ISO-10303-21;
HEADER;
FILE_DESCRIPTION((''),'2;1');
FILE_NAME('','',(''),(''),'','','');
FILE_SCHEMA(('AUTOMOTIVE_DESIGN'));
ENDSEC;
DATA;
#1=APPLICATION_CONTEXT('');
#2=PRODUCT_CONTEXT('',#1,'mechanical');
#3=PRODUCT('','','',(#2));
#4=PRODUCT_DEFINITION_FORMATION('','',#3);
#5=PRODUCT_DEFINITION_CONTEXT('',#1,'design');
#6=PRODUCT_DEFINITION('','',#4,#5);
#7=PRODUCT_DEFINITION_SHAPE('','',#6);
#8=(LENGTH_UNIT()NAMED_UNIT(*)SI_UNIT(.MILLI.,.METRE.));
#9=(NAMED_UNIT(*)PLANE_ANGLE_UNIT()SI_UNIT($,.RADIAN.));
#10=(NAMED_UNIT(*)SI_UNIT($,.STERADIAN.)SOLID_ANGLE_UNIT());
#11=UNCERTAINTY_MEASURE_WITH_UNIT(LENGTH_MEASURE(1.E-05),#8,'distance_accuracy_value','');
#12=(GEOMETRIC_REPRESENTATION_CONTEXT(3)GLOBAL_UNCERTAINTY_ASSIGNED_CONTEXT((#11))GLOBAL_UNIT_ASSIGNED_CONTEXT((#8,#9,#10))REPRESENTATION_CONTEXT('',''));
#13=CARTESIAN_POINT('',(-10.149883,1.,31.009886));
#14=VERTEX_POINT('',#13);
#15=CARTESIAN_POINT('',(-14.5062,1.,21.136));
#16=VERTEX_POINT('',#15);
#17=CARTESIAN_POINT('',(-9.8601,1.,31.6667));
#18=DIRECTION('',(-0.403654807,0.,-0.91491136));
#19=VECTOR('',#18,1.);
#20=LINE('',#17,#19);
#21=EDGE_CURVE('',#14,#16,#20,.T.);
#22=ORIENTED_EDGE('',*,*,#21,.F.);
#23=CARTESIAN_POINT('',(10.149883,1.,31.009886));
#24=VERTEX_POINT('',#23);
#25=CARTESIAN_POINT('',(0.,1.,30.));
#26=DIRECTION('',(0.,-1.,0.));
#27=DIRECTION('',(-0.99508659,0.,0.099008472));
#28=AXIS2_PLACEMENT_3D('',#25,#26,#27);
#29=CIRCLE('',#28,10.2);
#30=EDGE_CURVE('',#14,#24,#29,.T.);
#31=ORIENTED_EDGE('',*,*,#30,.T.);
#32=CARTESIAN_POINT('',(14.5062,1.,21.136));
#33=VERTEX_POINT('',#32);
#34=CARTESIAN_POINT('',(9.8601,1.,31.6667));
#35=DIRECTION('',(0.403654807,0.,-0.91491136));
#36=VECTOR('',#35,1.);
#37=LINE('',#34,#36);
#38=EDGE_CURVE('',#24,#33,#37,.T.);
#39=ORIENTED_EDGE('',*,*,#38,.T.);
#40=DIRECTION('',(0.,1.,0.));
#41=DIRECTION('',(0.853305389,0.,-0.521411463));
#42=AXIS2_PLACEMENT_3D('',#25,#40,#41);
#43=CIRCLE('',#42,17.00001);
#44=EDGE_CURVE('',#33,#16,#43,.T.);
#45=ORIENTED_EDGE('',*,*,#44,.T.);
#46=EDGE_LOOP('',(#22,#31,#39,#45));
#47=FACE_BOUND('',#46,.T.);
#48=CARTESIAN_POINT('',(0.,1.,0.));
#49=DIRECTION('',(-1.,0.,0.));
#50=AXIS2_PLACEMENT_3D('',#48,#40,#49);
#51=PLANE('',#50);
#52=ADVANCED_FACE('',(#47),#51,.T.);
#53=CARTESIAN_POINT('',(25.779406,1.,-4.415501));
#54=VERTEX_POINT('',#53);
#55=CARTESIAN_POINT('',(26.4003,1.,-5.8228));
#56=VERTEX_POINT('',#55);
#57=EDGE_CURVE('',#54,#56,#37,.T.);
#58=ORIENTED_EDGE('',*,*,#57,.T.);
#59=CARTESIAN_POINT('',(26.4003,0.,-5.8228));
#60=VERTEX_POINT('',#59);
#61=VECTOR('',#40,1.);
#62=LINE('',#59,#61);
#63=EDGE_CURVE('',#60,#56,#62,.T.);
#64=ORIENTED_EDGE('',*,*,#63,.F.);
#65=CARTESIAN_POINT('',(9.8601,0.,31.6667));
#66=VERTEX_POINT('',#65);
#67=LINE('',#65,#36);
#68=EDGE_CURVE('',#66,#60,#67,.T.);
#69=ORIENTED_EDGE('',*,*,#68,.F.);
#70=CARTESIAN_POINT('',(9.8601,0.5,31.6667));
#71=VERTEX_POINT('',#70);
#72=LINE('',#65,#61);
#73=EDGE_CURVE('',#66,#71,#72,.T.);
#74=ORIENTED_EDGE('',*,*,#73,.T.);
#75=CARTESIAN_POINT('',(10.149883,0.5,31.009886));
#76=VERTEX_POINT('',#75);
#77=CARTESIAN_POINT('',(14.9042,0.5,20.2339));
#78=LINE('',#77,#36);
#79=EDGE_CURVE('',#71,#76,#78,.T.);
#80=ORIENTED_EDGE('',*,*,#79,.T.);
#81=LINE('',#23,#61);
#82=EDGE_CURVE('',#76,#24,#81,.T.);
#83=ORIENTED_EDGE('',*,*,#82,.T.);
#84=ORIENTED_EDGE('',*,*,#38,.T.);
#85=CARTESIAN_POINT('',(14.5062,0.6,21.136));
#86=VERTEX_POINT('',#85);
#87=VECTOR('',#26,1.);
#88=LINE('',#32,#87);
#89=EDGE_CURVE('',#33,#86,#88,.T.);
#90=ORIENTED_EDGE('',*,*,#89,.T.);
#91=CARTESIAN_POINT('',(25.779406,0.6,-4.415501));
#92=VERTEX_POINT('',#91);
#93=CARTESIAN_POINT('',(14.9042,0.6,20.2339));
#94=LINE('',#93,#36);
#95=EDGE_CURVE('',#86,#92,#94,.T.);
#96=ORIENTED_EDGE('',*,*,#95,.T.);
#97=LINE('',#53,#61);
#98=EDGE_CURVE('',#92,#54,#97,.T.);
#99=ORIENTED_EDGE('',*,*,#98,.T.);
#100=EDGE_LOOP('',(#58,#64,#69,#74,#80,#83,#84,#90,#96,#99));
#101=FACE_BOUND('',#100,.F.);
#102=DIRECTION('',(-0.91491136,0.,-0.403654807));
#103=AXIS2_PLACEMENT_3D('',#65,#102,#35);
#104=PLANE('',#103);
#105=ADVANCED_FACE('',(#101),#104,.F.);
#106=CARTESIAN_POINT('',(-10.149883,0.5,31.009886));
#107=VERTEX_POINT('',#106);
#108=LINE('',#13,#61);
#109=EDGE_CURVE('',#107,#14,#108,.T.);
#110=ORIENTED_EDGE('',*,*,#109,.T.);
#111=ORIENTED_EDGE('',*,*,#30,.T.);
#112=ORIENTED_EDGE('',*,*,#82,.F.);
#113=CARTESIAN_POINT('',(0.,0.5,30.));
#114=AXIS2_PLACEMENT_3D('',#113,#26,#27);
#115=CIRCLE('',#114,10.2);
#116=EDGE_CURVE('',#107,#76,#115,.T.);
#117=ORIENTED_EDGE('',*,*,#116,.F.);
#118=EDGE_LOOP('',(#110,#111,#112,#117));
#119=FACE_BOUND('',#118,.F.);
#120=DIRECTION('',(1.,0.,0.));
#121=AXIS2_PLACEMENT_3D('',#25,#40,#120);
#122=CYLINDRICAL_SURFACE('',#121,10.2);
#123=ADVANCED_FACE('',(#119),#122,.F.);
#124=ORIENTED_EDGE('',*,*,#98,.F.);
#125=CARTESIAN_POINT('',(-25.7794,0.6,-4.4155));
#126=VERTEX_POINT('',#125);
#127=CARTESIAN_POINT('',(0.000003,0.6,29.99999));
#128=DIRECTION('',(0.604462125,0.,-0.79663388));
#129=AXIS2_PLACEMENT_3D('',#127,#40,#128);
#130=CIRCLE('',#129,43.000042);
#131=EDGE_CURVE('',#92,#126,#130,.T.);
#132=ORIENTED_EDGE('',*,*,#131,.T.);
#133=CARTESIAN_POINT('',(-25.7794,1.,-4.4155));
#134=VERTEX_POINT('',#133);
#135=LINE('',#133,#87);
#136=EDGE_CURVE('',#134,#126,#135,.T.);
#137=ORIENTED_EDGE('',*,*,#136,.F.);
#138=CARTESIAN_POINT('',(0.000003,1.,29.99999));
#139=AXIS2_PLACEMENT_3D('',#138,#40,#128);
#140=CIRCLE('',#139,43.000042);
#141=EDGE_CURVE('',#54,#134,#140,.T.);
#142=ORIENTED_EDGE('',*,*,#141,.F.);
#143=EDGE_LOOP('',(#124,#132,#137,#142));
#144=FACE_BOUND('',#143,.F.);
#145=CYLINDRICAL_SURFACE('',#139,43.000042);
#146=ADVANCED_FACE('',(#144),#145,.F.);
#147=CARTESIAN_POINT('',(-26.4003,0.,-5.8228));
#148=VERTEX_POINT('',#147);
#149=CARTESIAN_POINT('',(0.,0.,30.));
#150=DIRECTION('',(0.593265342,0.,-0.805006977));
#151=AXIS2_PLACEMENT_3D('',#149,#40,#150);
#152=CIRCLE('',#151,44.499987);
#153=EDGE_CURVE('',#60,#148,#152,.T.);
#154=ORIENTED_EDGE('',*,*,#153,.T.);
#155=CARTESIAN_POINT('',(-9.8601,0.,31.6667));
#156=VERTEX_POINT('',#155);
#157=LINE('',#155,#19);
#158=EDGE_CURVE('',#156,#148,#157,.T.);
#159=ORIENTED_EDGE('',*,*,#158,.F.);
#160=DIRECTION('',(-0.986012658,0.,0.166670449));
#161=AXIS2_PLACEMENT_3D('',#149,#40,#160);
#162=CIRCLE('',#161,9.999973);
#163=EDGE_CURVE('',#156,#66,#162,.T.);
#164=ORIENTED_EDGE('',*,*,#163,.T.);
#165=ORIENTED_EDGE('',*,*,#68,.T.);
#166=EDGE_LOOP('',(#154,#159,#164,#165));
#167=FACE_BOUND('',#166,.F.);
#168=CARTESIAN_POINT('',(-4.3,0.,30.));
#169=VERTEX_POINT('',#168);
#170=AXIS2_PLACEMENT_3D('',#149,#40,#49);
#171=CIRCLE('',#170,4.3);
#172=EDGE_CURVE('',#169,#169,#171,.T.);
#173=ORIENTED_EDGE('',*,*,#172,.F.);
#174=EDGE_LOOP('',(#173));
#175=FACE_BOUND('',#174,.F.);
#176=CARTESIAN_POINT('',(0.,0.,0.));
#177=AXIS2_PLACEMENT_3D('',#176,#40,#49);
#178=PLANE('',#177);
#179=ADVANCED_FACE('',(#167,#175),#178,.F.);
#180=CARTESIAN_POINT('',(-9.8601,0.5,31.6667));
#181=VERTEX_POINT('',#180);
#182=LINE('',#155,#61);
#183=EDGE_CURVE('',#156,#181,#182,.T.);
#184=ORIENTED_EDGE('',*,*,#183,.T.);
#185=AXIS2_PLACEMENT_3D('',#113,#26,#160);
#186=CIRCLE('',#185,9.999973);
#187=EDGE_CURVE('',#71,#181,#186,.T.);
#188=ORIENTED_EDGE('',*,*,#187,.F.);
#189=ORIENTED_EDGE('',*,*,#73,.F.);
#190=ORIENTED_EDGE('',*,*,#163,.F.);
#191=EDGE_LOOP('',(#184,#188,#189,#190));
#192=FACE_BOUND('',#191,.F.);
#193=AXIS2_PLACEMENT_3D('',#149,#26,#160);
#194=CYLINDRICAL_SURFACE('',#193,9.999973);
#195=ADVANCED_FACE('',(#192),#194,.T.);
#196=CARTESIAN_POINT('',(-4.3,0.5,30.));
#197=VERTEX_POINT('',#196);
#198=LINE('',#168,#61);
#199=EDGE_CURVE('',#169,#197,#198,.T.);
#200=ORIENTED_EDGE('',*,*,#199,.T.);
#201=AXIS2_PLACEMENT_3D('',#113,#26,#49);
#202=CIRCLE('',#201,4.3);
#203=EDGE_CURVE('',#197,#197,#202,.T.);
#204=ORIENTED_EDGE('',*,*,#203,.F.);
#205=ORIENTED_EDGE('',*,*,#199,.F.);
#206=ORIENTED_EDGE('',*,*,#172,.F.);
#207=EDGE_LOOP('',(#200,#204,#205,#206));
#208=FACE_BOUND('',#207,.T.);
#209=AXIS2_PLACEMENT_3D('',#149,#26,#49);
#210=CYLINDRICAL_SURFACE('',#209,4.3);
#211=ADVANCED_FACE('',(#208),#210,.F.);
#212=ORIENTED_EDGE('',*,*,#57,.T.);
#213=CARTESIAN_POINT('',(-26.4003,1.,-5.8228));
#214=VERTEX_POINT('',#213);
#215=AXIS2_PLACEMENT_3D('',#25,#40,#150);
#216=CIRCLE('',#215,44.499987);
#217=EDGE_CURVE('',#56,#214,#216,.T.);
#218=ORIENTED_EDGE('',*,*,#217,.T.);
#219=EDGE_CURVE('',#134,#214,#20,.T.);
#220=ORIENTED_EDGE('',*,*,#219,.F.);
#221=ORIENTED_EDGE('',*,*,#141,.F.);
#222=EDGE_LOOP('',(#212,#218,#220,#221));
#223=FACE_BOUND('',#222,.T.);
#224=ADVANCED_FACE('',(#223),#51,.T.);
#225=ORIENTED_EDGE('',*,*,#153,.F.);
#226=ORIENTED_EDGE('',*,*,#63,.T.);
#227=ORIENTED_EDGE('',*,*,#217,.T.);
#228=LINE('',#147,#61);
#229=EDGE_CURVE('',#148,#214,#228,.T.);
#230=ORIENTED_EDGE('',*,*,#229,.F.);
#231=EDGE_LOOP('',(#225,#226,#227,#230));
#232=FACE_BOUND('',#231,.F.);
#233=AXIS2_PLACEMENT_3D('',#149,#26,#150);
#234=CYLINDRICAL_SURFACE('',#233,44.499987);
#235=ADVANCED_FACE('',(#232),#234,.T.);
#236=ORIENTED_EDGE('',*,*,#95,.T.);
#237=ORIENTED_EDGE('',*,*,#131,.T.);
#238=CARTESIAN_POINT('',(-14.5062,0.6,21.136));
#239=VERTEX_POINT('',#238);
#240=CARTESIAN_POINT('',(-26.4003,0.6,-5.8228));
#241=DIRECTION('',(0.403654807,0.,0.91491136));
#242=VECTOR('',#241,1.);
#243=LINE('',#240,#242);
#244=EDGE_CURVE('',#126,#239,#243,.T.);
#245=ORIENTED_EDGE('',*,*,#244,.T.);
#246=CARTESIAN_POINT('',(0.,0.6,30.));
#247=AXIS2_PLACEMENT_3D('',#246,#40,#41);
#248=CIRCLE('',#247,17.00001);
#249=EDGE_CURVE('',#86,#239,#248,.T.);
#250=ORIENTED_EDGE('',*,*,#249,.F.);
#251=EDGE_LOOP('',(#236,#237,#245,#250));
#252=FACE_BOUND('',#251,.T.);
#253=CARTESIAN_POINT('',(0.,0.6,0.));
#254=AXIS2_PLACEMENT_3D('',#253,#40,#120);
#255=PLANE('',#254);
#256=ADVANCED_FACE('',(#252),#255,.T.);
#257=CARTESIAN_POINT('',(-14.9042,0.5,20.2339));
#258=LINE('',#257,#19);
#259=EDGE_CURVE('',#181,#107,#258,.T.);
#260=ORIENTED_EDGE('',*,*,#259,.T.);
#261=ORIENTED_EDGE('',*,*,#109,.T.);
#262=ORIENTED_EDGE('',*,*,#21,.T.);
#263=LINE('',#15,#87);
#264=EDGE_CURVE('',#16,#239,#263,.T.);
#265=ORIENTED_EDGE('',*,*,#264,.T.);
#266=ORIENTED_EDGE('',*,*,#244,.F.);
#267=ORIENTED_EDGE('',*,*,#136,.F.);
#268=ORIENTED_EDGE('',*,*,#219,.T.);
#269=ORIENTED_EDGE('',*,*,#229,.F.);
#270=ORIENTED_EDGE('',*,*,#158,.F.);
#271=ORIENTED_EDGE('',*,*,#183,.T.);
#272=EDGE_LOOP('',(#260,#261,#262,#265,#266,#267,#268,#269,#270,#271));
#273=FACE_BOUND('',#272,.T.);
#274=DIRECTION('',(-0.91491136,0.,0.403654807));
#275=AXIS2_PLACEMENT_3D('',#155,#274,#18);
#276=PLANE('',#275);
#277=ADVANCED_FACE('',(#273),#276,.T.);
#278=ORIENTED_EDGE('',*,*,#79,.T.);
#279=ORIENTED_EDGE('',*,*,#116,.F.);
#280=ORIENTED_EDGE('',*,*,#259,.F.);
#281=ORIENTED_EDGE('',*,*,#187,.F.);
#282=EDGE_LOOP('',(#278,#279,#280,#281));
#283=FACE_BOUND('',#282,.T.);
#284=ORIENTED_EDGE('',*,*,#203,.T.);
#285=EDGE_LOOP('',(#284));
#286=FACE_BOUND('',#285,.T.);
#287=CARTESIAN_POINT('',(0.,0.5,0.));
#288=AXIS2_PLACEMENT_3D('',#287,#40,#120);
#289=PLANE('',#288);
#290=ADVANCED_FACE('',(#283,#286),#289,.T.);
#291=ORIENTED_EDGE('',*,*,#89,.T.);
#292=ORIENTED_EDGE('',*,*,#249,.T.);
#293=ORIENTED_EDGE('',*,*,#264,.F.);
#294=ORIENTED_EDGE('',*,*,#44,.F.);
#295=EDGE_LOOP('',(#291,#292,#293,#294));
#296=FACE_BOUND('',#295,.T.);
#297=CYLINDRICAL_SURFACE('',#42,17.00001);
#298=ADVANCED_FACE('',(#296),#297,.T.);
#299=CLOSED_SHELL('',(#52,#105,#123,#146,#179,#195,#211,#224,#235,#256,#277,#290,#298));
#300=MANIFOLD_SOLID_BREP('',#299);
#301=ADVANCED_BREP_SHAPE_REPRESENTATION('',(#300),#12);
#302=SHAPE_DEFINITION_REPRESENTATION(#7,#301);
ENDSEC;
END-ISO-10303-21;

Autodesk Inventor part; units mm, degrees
ref_plane "YZ Plane" through (0, 0, 0) normal (1, 0, 0) x (0, 1, 0)
ref_plane "XZ Plane" through (0, 0, 0) normal (0, 1, 0) x (-1, 0, 0)
ref_plane "XY Plane" through (0, 0, 0) normal (0, 0, 1) x (1, 0, 0)
sketch "Sketch1" plane through (0, 0, 0) normal (0, 1, 0) x (-1, 0, 0)
  circle A0 centre (0, 0) radius 74.5 construction
  circle A1 centre (0, 30) radius 44.5 construction
  circle A2 centre (0, 30) radius 4.3
  circle A3 centre (0, 30) radius 10 construction
  arc A4 (9.8601, 31.6667) -> (-9.8601, 31.6667) centre (0, 30) ccw construction
  line L0 (0, -104.3) -> (0, 104.3) construction
  arc A5 (9.8601, 31.6667) -> (-9.8601, 31.6667) centre (0, 30) ccw
  line L1 (9.8601, 31.6667) -> (26.4003, -5.8228)
  arc A6 (-26.4003, -5.8228) -> (26.4003, -5.8228) centre (0, 30) ccw
  line L2 (-9.8601, 31.6667) -> (-26.4003, -5.8228)
  dimension "d5" = 20
  dimension "d0" = 149
  dimension "d3" = 30
  dimension "d4" = 8.6
extrude "Extrusion1" add sketch "Sketch1" along normal blind 1
sketch "Sketch2" plane through (0, 1, 0) normal (0, 1, 0) x (1, 0, 0)
  circle A0 centre (0, -30) radius 4.3 construction
  circle A1 centre (0, -30) radius 10.2
  point P0 (0, 0)
  dimension "d8" = 20.4
extrude "Extrusion2" cut sketch "Sketch2" against normal blind 0.5
sketch "Sketch3" plane through (0, 1, 0) normal (0, 1, 0) x (1, 0, 0)
  circle A0 centre (0, -30) radius 4.3 construction
  line L0 (9.8601, -31.6667) -> (26.4003, 5.8228) construction
  circle A1 centre (0, -30) radius 4.3 construction
  arc A2 (25.9919, 4.2553) -> (-25.7794, 4.4155) centre (0, -30) ccw
  arc A3 (14.5062, -21.136) -> (-14.5062, -21.136) centre (0, -30) ccw
  line L1 (14.5062, -21.136) -> (25.9919, 4.2553)
  line L2 (-26.4003, 5.8228) -> (-9.8601, -31.6667) projected
  line L3 (-14.5062, -21.136) -> (-25.7794, 4.4155)
  point P0 (0, 0)
  point P1 (-25.7794, 4.4155)
  dimension "d12" = 43
  dimension "d13" = 17
extrude "Extrusion3" cut sketch "Sketch3" against normal blind 0.4
properties part number "shutter"
